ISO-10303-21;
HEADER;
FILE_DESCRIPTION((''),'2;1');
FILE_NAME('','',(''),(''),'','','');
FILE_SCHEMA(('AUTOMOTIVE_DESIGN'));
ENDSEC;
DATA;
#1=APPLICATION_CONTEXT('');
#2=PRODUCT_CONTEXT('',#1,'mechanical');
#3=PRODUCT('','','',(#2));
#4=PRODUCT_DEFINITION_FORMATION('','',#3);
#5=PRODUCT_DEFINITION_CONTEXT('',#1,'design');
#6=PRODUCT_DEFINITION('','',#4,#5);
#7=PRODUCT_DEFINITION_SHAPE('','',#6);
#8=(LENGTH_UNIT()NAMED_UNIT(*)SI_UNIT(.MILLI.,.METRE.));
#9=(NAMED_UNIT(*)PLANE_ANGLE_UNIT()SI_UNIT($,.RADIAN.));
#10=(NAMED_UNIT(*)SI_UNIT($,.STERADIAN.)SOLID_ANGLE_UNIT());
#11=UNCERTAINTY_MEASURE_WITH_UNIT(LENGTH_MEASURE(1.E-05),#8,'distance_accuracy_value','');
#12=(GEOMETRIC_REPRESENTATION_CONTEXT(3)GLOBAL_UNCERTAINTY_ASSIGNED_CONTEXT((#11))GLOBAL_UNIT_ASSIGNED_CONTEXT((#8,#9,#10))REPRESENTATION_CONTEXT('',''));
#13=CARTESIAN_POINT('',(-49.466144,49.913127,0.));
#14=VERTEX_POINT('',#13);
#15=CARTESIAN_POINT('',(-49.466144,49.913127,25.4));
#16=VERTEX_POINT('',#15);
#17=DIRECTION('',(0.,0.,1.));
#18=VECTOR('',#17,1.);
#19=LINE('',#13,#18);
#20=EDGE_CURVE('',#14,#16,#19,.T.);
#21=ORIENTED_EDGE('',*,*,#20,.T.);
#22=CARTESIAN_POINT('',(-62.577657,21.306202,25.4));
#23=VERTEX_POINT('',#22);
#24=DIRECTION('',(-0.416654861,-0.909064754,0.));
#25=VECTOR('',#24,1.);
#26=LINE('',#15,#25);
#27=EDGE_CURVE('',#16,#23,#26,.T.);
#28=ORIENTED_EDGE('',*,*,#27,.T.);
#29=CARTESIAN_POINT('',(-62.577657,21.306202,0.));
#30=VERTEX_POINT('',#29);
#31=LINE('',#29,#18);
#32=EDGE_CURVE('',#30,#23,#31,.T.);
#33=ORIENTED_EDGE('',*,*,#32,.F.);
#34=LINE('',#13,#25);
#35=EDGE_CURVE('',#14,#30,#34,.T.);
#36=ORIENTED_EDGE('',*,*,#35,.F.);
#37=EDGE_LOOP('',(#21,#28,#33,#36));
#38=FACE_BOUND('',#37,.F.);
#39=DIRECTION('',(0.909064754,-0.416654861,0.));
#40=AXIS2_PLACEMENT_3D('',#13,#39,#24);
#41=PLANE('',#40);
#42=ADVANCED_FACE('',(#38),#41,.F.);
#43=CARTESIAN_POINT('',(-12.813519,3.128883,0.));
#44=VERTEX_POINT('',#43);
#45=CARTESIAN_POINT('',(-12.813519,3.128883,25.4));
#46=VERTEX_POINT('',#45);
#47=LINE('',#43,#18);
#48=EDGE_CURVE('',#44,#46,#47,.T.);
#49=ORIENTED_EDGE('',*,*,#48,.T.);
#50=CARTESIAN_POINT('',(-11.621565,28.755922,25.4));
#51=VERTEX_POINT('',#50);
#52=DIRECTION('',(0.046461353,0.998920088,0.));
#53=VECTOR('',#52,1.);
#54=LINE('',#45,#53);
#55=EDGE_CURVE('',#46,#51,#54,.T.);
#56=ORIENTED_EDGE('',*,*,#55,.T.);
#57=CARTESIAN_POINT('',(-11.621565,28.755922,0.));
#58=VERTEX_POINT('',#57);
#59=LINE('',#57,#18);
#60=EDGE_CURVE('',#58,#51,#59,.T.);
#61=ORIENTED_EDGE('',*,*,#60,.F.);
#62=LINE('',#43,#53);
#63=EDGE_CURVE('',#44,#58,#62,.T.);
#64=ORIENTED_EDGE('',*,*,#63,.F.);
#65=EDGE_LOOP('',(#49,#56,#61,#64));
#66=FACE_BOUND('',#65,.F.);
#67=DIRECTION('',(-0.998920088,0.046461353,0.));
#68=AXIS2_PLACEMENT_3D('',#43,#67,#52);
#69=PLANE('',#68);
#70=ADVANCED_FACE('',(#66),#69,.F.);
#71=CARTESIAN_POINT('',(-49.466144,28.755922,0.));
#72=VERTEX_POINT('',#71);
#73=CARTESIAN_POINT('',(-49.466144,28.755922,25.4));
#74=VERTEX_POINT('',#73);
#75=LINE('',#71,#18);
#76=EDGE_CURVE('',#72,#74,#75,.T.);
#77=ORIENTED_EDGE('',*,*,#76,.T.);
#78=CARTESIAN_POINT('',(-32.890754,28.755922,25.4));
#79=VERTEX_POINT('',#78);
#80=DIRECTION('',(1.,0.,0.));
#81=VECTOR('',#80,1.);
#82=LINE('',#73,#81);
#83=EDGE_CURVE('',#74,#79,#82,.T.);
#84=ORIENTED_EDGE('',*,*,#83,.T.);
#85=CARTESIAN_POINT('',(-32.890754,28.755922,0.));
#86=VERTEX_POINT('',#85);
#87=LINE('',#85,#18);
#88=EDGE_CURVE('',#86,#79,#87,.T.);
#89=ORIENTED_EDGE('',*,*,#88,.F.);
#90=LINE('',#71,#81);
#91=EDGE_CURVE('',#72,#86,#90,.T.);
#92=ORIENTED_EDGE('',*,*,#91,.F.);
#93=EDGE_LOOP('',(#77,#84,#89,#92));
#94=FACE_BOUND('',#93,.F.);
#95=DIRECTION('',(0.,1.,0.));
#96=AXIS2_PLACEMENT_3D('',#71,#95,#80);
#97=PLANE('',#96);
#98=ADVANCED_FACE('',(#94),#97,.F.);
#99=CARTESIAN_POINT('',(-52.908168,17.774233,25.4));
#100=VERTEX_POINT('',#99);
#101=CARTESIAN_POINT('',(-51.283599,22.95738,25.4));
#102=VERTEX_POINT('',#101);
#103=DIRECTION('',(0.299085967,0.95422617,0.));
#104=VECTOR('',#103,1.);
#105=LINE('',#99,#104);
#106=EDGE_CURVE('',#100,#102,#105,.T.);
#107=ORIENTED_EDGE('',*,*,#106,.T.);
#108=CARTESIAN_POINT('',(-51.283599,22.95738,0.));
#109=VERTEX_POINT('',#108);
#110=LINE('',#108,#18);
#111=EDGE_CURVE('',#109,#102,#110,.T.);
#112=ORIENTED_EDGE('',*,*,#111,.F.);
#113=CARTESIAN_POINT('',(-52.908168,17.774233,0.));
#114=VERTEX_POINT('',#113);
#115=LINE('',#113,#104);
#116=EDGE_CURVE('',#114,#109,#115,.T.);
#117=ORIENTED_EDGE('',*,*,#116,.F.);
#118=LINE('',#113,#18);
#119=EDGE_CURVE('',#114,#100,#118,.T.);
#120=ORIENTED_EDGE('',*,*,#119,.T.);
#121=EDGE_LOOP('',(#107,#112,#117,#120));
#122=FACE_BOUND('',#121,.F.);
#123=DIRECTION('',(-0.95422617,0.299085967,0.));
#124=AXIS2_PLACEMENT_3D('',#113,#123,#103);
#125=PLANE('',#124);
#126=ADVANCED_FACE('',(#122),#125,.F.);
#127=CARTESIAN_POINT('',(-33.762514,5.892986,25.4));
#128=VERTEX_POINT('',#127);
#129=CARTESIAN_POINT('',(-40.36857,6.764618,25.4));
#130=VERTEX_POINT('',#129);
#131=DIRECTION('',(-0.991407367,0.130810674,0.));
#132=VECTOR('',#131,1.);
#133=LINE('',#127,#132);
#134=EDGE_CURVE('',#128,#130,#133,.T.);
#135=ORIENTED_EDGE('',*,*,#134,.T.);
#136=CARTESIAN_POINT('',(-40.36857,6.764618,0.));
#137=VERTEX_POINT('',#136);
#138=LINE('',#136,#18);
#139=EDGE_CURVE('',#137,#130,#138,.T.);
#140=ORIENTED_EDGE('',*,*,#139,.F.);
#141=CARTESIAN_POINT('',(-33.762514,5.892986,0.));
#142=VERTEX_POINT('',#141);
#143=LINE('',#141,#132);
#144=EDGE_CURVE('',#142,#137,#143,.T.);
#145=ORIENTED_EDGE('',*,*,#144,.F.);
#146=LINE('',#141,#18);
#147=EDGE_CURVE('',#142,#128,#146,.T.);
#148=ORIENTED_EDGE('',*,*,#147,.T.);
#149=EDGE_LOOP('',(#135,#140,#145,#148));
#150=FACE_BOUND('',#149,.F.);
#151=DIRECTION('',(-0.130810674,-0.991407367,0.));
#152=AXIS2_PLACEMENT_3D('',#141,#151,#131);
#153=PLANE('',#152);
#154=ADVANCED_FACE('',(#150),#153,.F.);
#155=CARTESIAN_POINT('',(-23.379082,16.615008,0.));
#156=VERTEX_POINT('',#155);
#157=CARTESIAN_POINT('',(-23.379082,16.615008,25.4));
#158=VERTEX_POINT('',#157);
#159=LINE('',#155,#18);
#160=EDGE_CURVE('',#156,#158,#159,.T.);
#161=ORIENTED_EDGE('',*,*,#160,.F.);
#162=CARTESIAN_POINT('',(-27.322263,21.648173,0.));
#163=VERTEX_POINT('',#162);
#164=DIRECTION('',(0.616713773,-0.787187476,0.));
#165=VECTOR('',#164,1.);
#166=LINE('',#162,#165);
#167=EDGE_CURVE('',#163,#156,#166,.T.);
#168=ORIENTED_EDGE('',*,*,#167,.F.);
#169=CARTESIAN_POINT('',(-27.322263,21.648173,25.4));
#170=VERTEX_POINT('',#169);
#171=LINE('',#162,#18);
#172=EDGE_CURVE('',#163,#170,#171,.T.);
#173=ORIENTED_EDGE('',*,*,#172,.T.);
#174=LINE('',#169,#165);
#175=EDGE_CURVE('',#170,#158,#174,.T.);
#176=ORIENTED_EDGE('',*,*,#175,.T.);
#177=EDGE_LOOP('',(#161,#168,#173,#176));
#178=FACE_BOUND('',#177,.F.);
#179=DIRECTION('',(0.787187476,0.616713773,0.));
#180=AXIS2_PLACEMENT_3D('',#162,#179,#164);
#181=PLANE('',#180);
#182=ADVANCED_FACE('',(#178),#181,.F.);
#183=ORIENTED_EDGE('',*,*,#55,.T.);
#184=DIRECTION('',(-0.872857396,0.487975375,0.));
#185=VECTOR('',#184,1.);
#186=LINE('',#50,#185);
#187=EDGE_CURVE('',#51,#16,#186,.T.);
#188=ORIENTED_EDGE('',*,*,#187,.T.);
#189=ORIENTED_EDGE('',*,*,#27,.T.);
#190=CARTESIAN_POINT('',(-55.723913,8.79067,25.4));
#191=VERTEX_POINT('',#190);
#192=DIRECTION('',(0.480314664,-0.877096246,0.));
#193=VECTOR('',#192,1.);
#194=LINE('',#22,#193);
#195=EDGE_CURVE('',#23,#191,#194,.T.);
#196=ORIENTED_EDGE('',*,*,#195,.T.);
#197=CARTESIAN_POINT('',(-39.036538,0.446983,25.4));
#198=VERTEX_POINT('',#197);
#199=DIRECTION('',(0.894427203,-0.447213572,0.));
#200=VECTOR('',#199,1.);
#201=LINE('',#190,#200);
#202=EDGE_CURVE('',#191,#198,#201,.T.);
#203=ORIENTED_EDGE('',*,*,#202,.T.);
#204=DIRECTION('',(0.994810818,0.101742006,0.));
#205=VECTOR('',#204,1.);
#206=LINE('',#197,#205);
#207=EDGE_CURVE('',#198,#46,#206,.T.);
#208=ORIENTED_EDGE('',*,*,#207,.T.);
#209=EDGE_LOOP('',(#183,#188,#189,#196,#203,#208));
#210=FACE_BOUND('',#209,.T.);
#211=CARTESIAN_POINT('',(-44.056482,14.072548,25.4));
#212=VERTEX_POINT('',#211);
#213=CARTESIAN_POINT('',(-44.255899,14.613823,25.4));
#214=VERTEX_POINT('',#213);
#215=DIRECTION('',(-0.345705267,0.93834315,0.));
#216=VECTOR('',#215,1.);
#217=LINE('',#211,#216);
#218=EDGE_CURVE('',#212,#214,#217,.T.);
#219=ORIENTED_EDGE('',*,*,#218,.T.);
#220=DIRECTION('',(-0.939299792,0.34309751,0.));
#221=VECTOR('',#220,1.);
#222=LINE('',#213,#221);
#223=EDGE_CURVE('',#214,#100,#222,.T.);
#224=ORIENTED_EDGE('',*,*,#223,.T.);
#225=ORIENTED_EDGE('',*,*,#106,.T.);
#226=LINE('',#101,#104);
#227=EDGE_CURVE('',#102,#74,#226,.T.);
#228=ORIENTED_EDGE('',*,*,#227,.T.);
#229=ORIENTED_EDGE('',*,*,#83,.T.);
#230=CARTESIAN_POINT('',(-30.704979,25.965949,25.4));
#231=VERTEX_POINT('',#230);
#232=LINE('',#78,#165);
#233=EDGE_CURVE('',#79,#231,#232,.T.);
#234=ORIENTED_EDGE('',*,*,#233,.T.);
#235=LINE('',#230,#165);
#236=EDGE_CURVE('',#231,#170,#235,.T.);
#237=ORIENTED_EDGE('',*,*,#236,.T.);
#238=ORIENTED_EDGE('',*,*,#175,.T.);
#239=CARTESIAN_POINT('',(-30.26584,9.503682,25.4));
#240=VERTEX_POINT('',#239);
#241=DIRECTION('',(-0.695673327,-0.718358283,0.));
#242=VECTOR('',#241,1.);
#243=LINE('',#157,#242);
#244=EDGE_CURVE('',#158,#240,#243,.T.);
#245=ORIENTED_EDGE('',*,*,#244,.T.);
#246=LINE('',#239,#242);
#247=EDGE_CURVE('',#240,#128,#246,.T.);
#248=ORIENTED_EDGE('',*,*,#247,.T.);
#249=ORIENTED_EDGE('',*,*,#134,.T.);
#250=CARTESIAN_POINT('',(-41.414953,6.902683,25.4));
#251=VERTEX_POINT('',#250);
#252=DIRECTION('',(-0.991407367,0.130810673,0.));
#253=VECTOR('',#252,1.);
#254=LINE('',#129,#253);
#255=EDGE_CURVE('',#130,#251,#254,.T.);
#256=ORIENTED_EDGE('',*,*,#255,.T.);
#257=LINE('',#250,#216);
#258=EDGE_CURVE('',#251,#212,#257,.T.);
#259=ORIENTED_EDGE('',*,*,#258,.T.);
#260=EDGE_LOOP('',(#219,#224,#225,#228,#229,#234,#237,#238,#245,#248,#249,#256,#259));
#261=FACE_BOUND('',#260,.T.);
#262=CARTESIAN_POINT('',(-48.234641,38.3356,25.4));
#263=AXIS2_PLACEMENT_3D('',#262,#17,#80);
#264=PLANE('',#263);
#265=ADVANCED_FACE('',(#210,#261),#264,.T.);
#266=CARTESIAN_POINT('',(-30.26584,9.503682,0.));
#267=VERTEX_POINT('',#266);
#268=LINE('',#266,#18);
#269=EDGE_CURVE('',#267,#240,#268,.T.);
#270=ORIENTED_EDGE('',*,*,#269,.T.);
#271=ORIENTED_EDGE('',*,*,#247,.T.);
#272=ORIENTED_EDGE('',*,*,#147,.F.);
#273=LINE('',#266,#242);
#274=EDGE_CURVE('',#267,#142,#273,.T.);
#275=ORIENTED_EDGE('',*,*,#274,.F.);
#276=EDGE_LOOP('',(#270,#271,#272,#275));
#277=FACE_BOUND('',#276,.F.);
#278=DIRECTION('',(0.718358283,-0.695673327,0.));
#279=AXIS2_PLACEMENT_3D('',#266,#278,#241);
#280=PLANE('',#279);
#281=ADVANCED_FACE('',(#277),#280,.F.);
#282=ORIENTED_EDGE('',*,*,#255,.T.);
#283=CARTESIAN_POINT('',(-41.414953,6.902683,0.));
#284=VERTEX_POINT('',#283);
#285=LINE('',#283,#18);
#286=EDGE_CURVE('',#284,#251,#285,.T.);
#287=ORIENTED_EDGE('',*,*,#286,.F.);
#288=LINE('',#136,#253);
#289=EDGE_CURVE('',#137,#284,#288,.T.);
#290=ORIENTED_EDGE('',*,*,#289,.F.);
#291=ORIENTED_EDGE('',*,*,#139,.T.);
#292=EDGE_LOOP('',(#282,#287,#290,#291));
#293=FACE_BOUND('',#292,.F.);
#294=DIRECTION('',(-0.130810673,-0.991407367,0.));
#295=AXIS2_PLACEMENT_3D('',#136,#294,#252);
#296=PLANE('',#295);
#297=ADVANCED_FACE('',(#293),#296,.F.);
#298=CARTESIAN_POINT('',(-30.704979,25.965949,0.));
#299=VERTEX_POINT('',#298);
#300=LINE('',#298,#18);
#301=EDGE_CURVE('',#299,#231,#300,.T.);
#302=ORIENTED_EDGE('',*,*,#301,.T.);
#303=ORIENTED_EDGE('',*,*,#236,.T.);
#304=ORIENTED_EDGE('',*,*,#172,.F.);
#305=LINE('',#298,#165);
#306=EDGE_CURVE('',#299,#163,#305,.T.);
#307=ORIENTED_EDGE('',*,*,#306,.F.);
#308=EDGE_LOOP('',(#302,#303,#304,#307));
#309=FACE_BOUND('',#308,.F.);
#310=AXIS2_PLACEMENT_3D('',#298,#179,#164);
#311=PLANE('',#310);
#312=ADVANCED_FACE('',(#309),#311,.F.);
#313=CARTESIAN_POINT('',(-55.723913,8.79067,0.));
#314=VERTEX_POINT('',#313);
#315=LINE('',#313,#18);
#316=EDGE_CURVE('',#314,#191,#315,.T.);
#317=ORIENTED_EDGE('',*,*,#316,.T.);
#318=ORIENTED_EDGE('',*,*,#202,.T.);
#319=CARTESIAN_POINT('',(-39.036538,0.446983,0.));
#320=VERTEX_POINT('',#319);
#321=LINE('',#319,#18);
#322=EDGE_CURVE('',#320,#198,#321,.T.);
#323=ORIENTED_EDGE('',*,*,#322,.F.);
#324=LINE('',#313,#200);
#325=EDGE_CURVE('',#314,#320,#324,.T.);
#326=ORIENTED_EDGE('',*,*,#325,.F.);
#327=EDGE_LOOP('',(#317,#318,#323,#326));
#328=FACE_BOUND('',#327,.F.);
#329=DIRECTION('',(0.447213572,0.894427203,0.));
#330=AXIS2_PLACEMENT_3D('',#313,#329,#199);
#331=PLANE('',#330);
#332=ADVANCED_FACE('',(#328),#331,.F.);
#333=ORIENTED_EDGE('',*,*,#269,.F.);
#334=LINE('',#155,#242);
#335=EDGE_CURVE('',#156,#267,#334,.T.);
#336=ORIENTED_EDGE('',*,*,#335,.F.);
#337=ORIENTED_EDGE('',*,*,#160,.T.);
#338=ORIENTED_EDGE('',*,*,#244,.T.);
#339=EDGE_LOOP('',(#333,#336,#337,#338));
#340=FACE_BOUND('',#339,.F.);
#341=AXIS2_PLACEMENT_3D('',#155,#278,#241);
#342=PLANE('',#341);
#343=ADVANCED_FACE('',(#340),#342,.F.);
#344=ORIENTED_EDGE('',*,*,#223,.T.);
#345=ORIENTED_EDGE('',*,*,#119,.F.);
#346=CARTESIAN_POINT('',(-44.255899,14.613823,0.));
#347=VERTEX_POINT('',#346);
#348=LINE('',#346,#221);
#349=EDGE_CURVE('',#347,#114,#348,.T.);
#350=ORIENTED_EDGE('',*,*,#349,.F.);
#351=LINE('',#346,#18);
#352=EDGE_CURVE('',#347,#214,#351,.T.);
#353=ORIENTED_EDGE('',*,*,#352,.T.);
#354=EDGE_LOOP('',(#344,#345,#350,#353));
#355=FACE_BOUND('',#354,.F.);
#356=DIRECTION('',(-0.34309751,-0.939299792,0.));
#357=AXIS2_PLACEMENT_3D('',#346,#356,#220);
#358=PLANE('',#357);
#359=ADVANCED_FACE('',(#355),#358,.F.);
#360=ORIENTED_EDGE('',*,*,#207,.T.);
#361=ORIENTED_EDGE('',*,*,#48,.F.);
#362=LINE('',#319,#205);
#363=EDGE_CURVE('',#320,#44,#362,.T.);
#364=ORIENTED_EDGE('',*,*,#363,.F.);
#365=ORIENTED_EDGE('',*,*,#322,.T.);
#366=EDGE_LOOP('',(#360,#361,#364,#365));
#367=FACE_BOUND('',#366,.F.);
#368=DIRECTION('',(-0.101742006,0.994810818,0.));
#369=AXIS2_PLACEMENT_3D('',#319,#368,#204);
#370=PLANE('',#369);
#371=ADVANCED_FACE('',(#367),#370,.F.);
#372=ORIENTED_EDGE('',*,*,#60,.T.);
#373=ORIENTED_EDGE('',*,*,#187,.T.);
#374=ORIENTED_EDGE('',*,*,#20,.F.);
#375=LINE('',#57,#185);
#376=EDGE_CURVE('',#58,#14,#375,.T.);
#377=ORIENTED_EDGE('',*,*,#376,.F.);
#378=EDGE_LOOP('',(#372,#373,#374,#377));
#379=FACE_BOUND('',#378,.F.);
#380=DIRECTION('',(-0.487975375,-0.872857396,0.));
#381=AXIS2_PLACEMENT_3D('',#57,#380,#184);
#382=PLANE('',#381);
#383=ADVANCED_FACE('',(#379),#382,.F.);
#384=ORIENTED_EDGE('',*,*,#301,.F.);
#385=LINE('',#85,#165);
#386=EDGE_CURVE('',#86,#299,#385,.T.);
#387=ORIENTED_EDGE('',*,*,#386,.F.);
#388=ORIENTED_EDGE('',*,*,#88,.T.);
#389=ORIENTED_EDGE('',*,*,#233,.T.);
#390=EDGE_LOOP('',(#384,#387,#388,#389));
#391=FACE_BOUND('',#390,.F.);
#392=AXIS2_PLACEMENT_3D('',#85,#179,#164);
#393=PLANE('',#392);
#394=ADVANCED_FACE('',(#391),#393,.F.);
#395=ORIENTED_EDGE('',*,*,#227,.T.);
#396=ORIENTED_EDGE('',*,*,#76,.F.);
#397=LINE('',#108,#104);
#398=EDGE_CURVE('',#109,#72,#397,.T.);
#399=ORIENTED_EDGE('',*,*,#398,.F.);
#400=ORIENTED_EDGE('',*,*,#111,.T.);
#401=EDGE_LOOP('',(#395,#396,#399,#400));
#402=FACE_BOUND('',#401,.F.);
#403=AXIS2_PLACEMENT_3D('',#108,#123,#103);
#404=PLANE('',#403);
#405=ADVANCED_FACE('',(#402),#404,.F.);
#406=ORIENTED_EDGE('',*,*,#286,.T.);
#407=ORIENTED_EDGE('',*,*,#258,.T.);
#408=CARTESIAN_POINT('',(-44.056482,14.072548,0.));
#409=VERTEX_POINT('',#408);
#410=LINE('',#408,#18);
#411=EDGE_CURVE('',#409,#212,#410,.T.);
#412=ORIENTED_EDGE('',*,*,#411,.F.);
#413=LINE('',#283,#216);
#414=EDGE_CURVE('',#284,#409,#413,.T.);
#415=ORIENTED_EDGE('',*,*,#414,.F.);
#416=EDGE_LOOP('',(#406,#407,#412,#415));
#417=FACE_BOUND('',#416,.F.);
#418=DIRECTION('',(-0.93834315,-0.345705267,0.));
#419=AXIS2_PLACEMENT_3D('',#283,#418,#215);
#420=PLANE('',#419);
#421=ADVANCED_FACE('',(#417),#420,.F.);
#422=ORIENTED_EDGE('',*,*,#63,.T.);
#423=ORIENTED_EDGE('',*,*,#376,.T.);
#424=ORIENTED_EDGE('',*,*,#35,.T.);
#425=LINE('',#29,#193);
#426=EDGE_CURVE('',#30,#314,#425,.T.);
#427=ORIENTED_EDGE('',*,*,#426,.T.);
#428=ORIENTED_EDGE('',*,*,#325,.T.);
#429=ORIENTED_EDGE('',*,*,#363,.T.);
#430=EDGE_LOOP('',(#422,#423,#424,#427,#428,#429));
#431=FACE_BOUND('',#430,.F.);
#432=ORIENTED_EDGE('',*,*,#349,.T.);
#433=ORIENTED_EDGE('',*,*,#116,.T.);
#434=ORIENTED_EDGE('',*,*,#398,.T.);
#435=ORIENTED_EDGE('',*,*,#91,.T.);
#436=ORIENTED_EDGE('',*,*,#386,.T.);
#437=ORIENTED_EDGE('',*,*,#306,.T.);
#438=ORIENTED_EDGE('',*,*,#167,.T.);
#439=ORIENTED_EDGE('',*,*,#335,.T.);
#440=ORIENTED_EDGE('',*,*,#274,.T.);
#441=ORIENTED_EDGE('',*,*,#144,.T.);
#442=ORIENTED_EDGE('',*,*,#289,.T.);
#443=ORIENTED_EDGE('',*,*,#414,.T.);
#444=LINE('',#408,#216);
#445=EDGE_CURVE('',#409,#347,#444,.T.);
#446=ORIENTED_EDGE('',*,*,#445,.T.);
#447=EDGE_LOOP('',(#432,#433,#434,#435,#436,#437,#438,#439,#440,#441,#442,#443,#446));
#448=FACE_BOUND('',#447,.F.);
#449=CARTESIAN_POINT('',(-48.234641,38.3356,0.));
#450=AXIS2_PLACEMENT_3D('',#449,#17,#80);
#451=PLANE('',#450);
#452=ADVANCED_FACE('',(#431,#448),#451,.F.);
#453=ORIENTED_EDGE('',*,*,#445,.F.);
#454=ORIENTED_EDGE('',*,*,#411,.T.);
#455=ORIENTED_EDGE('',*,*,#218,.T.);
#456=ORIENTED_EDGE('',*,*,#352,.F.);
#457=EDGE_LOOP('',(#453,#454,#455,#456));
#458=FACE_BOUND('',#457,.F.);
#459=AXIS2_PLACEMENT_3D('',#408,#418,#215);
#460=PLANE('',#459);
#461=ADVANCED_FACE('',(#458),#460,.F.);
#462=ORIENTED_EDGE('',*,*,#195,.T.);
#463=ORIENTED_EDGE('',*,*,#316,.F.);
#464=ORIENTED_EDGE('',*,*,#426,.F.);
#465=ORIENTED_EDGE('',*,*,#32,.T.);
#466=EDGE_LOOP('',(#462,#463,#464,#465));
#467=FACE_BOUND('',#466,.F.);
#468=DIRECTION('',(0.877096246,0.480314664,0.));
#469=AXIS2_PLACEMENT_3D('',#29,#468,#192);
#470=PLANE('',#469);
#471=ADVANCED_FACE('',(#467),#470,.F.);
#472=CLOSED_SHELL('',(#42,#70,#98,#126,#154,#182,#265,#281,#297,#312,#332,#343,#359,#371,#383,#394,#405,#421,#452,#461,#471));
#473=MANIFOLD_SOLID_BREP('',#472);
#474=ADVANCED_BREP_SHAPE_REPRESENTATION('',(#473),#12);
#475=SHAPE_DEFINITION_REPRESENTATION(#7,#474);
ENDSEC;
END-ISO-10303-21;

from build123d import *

# Parameters (mm, degrees)
F1_DEPTH = 25.4


with BuildPart() as f1:
    # F0 (on Top) → F1 (new body)
    with BuildSketch(Plane.XY):
        Polygon((-49.4661442935, 49.9131269753), (-49.4661442935, 28.7559218705), (-45.0052889839, 28.7559218705), align=None)
        Polygon((-62.5776574016, 21.3062018156), (-49.4661442935, 28.7559218705), (-49.4661442935, 49.9131269753), align=None)
        Polygon((-51.2835987262, 22.9573797383), (-49.4661442935, 28.7559218705), (-62.5776574016, 21.3062018156), align=None)
        Polygon((-49.4661442935, 49.9131269753), (-45.0052889839, 28.7559218705), (-32.8907538248, 28.7559218705), align=None)
        Polygon((-52.9081679909, 17.7742328277), (-51.2835987262, 22.9573797383), (-62.5776574016, 21.3062018156), align=None)
        Polygon((-11.6215646267, 28.7559218705), (-49.4661442935, 49.9131269753), (-32.8907538248, 28.7559218705), align=None)
        Polygon((-52.9081679909, 17.7742328277), (-62.5776574016, 21.3062018156), (-55.7239130139, 8.7906699628), align=None)
        Polygon((-11.6215646267, 28.7559218705), (-32.8907538248, 28.7559218705), (-30.7049791526, 25.9659494027), align=None)
        Polygon((-44.056481693, 14.0725475488), (-44.2558990488, 14.6138233913), (-52.9081679909, 17.7742328277), (-55.7239130139, 8.7906699628), align=None)
        Polygon((-23.3790820657, 16.6150078645), (-11.6215646267, 28.7559218705), (-27.3222628842, 21.6481734783), align=None)
        Polygon((-12.8135187551, 3.1288827304), (-11.6215646267, 28.7559218705), (-23.3790820657, 16.6150078645), align=None)
        Polygon((-27.3222628842, 21.6481734783), (-11.6215646267, 28.7559218705), (-30.7049791526, 25.9659494027), align=None)
        Polygon((-41.4149532636, 6.9026825177), (-55.7239130139, 8.7906699628), (-39.0365384519, 0.4469832347), align=None)
        Polygon((-44.056481693, 14.0725475488), (-55.7239130139, 8.7906699628), (-41.4149532636, 6.9026825177), align=None)
        Polygon((-30.2658398726, 9.5036823021), (-12.8135187551, 3.1288827304), (-26.9007566578, 12.9784962793), align=None)
        Polygon((-39.0365384519, 0.4469832347), (-12.8135187551, 3.1288827304), (-33.7625144996, 5.8929858967), align=None)
        Polygon((-26.9007566578, 12.9784962793), (-12.8135187551, 3.1288827304), (-23.3790820657, 16.6150078645), align=None)
        Polygon((-33.7625144996, 5.8929858967), (-12.8135187551, 3.1288827304), (-30.2658398726, 9.5036823021), align=None)
        Polygon((-40.3685695275, 6.7646180189), (-39.0365384519, 0.4469832347), (-33.7625144996, 5.8929858967), align=None)
        Polygon((-41.4149532636, 6.9026825177), (-39.0365384519, 0.4469832347), (-40.3685695275, 6.7646180189), align=None)
    extrude(amount=F1_DEPTH)


solid = f1.part
